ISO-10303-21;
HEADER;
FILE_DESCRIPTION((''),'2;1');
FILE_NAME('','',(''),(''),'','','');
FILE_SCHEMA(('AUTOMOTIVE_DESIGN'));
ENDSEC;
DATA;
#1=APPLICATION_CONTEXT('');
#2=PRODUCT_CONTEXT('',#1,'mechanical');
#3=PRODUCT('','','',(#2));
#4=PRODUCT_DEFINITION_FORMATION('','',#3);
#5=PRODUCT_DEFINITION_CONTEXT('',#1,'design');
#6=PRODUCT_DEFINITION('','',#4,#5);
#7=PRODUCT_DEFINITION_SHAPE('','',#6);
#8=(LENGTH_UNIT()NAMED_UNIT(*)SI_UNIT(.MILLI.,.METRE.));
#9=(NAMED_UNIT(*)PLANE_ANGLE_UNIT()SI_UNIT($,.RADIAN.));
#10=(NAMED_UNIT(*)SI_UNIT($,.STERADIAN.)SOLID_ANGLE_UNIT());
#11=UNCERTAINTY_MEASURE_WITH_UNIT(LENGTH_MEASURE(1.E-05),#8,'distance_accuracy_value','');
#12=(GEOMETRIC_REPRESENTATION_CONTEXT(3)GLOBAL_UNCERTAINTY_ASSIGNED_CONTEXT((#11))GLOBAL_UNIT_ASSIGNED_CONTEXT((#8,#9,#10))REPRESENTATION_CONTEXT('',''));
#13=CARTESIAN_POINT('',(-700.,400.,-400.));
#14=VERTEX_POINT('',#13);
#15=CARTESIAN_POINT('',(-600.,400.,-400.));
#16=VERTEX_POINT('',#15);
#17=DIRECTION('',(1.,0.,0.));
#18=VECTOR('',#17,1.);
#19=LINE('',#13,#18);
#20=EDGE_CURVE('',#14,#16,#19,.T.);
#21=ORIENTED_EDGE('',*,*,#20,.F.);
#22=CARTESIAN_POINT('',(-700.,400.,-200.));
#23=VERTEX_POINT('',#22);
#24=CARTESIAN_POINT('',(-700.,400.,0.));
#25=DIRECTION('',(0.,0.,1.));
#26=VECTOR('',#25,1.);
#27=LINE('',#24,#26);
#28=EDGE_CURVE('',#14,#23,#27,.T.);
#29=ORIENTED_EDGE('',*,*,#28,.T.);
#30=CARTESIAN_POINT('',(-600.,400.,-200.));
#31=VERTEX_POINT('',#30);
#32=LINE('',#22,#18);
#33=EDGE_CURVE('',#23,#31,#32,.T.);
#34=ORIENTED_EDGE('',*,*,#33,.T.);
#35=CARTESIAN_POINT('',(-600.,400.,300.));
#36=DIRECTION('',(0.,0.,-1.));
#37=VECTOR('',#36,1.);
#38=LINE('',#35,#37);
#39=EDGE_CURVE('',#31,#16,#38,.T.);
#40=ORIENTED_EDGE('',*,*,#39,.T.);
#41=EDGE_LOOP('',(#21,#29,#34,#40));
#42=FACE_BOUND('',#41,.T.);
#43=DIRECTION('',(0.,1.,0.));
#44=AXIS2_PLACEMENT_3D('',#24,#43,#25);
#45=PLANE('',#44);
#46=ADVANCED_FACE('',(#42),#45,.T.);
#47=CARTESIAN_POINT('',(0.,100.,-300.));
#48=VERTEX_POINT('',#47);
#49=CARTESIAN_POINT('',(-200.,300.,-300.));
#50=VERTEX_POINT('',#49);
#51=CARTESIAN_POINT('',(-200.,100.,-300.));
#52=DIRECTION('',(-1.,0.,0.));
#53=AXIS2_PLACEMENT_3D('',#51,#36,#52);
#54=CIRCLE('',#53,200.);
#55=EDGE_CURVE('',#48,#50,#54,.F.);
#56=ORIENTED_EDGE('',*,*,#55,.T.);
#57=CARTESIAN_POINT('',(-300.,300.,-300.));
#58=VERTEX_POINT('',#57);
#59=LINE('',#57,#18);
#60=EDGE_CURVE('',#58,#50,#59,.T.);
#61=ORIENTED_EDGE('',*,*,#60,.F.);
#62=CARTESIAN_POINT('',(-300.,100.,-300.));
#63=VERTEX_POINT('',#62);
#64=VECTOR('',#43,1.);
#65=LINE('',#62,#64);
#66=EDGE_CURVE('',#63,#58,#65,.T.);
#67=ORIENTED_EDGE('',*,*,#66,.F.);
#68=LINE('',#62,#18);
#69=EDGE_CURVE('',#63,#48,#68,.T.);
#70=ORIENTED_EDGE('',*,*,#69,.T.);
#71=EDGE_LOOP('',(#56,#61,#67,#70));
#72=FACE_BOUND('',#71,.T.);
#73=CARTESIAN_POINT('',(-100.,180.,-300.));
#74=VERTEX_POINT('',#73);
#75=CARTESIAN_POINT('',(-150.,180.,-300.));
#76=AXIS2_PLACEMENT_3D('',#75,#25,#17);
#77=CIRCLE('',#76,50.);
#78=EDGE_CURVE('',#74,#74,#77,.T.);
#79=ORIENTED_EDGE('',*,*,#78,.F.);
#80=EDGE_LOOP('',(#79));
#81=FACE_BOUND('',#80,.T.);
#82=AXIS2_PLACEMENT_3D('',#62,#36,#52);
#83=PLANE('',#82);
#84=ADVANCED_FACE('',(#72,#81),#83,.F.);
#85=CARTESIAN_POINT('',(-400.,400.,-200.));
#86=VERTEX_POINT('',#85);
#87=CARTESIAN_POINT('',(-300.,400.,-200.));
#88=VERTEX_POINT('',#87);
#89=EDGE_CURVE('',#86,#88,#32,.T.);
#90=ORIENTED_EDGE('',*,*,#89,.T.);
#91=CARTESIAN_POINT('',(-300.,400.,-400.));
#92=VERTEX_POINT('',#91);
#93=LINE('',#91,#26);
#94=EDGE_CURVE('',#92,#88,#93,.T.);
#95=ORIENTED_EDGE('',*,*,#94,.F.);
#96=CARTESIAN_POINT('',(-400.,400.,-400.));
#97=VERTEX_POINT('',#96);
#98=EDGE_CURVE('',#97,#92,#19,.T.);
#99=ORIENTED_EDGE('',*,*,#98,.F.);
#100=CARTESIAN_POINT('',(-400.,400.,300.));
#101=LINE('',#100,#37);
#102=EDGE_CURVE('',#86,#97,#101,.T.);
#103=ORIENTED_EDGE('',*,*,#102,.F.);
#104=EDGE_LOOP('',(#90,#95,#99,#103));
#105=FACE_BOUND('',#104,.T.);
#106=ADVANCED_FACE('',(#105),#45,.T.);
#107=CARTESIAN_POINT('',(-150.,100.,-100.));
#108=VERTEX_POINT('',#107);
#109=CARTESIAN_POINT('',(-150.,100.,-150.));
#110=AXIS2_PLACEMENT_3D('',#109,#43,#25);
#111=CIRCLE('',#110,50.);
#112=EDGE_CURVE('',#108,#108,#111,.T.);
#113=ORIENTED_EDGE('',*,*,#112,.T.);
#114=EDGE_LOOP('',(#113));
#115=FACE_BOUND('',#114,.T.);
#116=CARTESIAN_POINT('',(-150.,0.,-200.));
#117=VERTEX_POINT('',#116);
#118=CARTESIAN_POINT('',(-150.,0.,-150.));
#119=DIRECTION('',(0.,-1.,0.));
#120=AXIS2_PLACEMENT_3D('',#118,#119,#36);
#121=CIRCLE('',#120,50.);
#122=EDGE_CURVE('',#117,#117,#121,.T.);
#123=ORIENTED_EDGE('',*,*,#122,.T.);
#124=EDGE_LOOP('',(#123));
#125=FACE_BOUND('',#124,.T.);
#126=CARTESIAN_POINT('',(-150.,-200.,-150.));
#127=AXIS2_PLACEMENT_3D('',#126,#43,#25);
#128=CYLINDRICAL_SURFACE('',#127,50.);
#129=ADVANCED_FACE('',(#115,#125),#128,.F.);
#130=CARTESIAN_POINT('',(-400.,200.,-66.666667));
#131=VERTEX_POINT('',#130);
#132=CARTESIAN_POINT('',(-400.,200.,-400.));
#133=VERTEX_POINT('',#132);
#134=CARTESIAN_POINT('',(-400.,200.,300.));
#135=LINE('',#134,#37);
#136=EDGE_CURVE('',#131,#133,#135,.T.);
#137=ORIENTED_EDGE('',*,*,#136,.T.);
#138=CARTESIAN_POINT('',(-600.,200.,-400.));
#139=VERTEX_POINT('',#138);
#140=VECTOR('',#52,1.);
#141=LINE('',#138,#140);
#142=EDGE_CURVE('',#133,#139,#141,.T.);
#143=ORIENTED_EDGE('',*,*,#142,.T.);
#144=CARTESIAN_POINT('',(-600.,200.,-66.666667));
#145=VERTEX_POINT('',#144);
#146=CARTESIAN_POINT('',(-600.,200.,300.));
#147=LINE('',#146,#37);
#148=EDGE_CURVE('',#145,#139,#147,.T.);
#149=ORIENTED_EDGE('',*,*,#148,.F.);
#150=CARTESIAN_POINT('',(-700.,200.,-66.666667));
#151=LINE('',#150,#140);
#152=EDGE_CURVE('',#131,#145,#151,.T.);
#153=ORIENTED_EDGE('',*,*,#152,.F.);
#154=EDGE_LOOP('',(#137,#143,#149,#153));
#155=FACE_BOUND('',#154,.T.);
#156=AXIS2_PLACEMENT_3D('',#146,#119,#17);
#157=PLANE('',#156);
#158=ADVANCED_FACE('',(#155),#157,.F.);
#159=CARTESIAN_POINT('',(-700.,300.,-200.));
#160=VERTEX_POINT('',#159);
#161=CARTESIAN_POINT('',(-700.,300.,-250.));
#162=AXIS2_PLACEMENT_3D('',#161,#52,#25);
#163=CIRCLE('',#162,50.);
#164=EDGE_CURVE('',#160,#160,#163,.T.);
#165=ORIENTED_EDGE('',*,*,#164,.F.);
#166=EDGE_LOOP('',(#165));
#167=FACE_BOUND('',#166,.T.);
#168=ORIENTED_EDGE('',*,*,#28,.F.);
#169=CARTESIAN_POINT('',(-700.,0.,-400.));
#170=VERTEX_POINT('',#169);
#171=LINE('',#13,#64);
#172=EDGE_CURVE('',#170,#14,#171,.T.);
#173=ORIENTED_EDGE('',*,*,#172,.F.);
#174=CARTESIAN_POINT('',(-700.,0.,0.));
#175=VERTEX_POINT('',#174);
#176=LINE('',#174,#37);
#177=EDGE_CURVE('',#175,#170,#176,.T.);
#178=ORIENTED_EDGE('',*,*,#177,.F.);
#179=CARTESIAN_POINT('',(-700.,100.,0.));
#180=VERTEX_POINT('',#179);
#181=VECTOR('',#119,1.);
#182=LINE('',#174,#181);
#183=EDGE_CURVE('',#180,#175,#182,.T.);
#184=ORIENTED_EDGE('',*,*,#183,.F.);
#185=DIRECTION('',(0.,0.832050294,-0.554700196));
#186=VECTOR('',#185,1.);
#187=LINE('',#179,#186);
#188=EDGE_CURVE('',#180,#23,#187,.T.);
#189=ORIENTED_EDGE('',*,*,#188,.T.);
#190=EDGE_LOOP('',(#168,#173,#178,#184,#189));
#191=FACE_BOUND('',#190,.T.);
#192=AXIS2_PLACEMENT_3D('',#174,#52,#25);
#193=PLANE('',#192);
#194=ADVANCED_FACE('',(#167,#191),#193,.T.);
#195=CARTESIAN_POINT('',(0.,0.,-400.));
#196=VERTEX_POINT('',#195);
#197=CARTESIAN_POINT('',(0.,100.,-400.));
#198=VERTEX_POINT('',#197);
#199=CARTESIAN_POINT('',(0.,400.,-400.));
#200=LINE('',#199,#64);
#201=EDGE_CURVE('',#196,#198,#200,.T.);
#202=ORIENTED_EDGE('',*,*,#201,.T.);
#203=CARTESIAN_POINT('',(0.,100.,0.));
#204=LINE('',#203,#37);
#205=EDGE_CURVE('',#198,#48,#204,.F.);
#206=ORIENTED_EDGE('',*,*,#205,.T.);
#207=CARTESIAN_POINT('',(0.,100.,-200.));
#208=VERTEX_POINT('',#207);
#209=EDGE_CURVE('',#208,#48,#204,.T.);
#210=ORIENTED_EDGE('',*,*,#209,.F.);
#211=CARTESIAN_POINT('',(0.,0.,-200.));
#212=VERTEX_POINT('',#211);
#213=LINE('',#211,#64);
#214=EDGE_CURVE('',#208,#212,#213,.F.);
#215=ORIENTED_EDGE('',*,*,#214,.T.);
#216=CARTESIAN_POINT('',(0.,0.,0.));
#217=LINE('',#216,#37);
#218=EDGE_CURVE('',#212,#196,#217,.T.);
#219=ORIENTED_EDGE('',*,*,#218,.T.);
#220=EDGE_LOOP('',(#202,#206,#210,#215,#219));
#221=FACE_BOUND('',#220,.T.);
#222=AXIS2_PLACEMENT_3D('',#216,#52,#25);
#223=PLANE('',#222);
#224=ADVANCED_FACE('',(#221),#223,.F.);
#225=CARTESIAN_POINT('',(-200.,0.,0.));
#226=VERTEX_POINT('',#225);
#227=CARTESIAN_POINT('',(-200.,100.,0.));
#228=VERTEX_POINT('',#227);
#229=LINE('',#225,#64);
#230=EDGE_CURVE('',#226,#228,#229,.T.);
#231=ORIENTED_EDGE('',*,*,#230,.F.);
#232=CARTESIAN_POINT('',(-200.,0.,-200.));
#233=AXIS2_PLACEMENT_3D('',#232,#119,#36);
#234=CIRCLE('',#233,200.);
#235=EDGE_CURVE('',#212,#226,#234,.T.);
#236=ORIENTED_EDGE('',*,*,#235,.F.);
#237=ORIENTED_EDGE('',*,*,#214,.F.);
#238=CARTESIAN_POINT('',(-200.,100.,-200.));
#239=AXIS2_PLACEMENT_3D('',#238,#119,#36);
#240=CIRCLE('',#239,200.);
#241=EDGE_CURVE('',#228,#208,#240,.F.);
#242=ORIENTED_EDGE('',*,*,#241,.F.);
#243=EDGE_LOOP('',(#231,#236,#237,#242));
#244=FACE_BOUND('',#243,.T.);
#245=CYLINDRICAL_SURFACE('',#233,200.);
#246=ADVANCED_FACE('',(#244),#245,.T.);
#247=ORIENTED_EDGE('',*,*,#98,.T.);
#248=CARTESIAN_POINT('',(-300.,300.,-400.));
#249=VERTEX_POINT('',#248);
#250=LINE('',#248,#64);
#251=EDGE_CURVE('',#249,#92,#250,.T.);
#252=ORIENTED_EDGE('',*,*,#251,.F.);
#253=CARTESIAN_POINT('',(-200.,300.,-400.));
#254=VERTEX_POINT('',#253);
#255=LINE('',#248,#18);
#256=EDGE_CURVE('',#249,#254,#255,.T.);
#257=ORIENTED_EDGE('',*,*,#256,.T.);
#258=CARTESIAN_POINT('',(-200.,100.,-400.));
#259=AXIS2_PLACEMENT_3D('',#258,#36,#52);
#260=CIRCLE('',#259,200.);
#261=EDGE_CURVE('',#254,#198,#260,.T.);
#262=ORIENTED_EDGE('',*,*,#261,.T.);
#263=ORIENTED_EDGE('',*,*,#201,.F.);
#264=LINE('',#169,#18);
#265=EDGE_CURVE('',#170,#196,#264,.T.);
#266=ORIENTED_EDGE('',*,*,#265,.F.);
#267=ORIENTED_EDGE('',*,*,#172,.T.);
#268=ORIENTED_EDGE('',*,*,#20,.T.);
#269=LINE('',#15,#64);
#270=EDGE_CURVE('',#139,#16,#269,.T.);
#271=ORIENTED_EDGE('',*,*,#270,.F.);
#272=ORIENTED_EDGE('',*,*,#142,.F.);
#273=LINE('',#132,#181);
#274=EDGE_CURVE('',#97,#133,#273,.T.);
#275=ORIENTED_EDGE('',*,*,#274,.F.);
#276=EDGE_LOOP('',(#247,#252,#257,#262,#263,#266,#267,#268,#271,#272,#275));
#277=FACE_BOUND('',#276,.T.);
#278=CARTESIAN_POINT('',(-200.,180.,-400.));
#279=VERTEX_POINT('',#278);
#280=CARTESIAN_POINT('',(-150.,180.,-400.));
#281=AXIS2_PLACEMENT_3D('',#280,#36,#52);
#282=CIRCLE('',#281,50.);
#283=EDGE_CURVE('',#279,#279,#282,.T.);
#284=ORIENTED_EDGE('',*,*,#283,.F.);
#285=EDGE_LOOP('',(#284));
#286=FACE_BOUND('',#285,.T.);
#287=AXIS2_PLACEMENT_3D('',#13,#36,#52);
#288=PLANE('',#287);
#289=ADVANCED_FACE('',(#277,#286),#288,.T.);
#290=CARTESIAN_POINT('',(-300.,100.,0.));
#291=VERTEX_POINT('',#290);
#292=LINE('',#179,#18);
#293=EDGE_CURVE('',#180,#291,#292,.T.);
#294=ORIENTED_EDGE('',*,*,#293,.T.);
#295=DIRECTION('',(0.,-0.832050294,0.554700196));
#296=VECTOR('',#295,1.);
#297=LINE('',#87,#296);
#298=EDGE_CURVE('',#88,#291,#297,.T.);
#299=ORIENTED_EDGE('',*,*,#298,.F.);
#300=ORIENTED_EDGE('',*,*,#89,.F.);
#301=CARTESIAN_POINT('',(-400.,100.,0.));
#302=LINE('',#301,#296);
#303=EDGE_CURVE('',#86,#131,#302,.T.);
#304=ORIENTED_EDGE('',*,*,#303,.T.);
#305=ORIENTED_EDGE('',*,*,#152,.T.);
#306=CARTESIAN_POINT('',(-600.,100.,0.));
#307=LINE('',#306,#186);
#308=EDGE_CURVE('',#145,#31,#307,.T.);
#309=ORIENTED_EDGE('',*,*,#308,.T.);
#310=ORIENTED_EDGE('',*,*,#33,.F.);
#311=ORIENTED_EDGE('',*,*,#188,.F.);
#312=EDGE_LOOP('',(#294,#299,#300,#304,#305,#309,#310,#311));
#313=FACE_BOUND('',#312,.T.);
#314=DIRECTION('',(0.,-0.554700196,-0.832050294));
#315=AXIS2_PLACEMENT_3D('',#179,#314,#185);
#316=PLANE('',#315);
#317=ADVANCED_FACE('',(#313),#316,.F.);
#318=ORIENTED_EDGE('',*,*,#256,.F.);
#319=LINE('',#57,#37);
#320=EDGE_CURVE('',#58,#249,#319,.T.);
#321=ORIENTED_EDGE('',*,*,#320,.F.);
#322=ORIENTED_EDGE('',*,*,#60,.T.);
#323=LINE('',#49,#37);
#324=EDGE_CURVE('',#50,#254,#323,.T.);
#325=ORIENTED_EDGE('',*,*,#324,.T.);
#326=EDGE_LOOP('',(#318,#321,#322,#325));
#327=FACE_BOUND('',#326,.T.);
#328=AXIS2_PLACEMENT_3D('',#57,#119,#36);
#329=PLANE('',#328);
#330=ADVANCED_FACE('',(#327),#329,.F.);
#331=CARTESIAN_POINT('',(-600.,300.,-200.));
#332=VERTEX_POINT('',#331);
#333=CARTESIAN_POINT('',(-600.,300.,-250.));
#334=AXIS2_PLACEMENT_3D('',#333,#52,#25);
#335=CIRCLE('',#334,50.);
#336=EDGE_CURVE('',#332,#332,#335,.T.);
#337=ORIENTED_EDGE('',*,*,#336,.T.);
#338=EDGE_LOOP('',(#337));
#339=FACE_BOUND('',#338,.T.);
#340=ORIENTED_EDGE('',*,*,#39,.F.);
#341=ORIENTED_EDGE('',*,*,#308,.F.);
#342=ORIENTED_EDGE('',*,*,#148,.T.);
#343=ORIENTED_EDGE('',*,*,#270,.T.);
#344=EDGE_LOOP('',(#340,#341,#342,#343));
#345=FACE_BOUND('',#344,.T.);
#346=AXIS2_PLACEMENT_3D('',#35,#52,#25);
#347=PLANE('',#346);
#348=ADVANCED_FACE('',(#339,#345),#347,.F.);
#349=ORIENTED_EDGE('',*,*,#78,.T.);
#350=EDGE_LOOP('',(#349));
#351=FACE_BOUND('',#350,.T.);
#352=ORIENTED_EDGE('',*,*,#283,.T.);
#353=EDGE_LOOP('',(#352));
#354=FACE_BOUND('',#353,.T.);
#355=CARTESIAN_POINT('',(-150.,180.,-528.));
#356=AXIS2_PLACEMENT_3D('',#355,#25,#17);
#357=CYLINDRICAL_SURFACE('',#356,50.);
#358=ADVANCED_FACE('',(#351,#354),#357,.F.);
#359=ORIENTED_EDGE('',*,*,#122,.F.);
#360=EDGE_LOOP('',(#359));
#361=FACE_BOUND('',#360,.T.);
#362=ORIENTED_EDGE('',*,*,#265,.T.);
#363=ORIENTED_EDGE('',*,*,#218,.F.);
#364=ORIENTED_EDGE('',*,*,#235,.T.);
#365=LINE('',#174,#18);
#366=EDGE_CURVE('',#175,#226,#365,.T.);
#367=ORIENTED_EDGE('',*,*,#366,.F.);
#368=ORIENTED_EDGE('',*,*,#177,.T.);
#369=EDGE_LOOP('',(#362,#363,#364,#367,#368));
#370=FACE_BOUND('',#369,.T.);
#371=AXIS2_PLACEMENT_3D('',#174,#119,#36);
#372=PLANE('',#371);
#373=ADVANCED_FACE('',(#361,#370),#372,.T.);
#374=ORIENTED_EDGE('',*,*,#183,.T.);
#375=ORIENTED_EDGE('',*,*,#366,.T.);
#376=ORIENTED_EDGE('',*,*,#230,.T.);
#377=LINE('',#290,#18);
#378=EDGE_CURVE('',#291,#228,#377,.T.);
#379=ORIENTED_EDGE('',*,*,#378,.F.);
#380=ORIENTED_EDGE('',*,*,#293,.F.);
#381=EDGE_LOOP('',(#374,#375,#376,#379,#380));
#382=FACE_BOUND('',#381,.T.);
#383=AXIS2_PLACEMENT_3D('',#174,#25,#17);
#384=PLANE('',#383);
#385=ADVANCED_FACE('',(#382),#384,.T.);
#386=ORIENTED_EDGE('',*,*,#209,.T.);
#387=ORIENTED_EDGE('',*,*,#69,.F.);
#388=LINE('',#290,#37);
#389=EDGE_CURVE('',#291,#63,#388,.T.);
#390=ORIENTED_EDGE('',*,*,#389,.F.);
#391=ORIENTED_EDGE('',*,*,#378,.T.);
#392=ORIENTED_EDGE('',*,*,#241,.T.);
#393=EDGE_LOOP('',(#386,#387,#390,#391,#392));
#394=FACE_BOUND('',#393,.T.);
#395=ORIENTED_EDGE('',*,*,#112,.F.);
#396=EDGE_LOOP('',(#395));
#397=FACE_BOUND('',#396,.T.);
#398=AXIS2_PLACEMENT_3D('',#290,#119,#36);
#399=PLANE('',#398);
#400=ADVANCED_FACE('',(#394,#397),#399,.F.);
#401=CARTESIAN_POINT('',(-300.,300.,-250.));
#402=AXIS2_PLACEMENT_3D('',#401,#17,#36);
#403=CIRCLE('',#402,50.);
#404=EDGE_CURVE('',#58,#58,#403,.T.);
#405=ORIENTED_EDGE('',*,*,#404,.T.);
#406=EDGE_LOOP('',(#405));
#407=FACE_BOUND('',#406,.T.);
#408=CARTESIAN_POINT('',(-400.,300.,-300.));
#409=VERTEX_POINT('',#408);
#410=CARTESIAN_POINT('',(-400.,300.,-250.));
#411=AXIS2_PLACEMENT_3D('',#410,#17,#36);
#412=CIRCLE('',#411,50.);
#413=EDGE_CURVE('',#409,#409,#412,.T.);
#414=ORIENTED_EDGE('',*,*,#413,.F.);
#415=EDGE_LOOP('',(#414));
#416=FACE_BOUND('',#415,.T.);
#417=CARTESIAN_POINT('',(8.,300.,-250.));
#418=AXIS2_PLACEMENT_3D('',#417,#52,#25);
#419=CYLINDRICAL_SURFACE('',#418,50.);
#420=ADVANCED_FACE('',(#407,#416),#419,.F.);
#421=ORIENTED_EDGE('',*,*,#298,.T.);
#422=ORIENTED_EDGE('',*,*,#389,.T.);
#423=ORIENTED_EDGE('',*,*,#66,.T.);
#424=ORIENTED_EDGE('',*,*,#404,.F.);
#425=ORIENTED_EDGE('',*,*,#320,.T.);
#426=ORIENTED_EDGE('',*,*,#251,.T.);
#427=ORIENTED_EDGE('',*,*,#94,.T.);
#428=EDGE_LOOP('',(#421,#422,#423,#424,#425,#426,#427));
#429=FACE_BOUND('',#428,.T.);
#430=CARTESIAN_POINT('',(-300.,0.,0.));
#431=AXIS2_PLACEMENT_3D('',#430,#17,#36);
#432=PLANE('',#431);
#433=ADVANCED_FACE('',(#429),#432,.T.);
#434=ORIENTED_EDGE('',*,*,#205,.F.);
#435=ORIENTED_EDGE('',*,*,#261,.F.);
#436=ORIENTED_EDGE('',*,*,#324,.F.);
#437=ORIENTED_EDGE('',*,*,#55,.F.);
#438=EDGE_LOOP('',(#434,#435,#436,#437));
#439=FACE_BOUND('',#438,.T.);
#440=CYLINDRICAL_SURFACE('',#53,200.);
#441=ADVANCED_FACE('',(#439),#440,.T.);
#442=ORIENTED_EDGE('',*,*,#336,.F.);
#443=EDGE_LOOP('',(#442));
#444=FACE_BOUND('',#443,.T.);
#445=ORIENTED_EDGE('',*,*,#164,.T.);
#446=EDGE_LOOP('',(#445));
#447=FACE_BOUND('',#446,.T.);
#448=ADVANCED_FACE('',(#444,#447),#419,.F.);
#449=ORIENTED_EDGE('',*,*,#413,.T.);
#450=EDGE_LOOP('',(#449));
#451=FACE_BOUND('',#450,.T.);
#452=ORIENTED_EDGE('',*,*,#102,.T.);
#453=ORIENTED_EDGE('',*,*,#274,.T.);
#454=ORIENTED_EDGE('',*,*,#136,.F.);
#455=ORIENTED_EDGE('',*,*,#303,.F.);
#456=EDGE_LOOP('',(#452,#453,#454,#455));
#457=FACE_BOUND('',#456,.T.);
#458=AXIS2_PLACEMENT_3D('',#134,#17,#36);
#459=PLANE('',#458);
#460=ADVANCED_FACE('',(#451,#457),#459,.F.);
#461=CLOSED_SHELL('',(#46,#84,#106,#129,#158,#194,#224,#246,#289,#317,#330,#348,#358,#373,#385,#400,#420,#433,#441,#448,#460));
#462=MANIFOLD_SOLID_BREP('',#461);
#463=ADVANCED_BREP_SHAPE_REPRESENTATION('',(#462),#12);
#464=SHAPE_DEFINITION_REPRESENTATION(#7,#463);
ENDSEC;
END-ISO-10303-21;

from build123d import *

# Parameters (mm, degrees)
SKETCH1_W           = 400
SKETCH1_H           = 400
BOSS_EXTRUDE1_DEPTH = 700
CUT_EXTRUDE1_DEPTH  = 700
SKETCH4_W           = 200
SKETCH4_H           = 200
CUT_EXTRUDE2_DEPTH  = 700
CUT_EXTRUDE3_DEPTH  = 300
FILLET1_R           = 200
SKETCH6_R           = 50
CUT_EXTRUDE4_DEPTH  = 300
FILLET2_R           = 200
SKETCH7_R           = 50
CUT_EXTRUDE5_DEPTH  = 228
SKETCH8_R           = 50
CUT_EXTRUDE6_DEPTH  = 708


with BuildPart() as part:
    # Sketch1 → Boss-Extrude1 (new body)
    with BuildSketch(Plane(origin=(0, 0, 0), x_dir=(0, 0, -1), z_dir=(1, 0, 0))):
        with Locations((200, 200)):
            Rectangle(SKETCH1_W, SKETCH1_H)
    extrude(amount=-BOSS_EXTRUDE1_DEPTH)

    # Sketch2 → Cut-Extrude1 (cut)
    with BuildSketch(Plane(origin=(0, 0, 0), x_dir=(0, 0, -1), z_dir=(1, 0, 0))):
        Polygon((0, 400), (0, 100), (200, 400), align=None)
    extrude(amount=-CUT_EXTRUDE1_DEPTH, mode=Mode.SUBTRACT)

    # Sketch4 → Cut-Extrude2 (cut)
    with BuildSketch(Plane(origin=(0, 0, -400), x_dir=(-1, 0, 0), z_dir=(0, 0, -1))):
        with Locations((500, 300)):
            Rectangle(SKETCH4_W, SKETCH4_H)
    extrude(amount=-CUT_EXTRUDE2_DEPTH, mode=Mode.SUBTRACT)

    # Sketch5 → Cut-Extrude3 (cut)
    with BuildSketch(Plane(origin=(0, 0, 0), x_dir=(0, 0, -1), z_dir=(1, 0, 0))):
        Polygon((0, 100), (300, 100), (300, 300), (400, 300), (400, 400), (200, 400), align=None)
    extrude(amount=-CUT_EXTRUDE3_DEPTH, mode=Mode.SUBTRACT)

    # Fillet1
    fillet1_edges = [part.edges().sort_by_distance(p)[0] for p in [
        (0, 300, -350),
    ]]
    fillet(fillet1_edges, radius=FILLET1_R)

    # Sketch6 → Cut-Extrude4 (cut)
    with BuildSketch(Plane(origin=(0, 100, 0), x_dir=(1, 0, 0), z_dir=(0, 1, 0))):
        with Locations(Location((-150, 150, 0), (0, 0, 270))):
            Circle(SKETCH6_R)
    extrude(amount=-CUT_EXTRUDE4_DEPTH, mode=Mode.SUBTRACT)

    # Fillet2
    fillet2_edges = [part.edges().sort_by_distance(p)[0] for p in [
        (0, 50, 0),
    ]]
    fillet(fillet2_edges, radius=FILLET2_R)

    # Sketch7 → Cut-Extrude5 (cut)
    with BuildSketch(Plane.XY.offset(-300)):
        with Locations((-150, 180)):
            Circle(SKETCH7_R)
    extrude(amount=-CUT_EXTRUDE5_DEPTH, mode=Mode.SUBTRACT)

    # Sketch8 → Cut-Extrude6 (cut)
    with BuildSketch(Plane.ZY.offset(700)):
        with Locations(Location((-250, 300, 0), (0, 0, 180))):
            Circle(SKETCH8_R)
    extrude(amount=-CUT_EXTRUDE6_DEPTH, mode=Mode.SUBTRACT)


solid = part.part
